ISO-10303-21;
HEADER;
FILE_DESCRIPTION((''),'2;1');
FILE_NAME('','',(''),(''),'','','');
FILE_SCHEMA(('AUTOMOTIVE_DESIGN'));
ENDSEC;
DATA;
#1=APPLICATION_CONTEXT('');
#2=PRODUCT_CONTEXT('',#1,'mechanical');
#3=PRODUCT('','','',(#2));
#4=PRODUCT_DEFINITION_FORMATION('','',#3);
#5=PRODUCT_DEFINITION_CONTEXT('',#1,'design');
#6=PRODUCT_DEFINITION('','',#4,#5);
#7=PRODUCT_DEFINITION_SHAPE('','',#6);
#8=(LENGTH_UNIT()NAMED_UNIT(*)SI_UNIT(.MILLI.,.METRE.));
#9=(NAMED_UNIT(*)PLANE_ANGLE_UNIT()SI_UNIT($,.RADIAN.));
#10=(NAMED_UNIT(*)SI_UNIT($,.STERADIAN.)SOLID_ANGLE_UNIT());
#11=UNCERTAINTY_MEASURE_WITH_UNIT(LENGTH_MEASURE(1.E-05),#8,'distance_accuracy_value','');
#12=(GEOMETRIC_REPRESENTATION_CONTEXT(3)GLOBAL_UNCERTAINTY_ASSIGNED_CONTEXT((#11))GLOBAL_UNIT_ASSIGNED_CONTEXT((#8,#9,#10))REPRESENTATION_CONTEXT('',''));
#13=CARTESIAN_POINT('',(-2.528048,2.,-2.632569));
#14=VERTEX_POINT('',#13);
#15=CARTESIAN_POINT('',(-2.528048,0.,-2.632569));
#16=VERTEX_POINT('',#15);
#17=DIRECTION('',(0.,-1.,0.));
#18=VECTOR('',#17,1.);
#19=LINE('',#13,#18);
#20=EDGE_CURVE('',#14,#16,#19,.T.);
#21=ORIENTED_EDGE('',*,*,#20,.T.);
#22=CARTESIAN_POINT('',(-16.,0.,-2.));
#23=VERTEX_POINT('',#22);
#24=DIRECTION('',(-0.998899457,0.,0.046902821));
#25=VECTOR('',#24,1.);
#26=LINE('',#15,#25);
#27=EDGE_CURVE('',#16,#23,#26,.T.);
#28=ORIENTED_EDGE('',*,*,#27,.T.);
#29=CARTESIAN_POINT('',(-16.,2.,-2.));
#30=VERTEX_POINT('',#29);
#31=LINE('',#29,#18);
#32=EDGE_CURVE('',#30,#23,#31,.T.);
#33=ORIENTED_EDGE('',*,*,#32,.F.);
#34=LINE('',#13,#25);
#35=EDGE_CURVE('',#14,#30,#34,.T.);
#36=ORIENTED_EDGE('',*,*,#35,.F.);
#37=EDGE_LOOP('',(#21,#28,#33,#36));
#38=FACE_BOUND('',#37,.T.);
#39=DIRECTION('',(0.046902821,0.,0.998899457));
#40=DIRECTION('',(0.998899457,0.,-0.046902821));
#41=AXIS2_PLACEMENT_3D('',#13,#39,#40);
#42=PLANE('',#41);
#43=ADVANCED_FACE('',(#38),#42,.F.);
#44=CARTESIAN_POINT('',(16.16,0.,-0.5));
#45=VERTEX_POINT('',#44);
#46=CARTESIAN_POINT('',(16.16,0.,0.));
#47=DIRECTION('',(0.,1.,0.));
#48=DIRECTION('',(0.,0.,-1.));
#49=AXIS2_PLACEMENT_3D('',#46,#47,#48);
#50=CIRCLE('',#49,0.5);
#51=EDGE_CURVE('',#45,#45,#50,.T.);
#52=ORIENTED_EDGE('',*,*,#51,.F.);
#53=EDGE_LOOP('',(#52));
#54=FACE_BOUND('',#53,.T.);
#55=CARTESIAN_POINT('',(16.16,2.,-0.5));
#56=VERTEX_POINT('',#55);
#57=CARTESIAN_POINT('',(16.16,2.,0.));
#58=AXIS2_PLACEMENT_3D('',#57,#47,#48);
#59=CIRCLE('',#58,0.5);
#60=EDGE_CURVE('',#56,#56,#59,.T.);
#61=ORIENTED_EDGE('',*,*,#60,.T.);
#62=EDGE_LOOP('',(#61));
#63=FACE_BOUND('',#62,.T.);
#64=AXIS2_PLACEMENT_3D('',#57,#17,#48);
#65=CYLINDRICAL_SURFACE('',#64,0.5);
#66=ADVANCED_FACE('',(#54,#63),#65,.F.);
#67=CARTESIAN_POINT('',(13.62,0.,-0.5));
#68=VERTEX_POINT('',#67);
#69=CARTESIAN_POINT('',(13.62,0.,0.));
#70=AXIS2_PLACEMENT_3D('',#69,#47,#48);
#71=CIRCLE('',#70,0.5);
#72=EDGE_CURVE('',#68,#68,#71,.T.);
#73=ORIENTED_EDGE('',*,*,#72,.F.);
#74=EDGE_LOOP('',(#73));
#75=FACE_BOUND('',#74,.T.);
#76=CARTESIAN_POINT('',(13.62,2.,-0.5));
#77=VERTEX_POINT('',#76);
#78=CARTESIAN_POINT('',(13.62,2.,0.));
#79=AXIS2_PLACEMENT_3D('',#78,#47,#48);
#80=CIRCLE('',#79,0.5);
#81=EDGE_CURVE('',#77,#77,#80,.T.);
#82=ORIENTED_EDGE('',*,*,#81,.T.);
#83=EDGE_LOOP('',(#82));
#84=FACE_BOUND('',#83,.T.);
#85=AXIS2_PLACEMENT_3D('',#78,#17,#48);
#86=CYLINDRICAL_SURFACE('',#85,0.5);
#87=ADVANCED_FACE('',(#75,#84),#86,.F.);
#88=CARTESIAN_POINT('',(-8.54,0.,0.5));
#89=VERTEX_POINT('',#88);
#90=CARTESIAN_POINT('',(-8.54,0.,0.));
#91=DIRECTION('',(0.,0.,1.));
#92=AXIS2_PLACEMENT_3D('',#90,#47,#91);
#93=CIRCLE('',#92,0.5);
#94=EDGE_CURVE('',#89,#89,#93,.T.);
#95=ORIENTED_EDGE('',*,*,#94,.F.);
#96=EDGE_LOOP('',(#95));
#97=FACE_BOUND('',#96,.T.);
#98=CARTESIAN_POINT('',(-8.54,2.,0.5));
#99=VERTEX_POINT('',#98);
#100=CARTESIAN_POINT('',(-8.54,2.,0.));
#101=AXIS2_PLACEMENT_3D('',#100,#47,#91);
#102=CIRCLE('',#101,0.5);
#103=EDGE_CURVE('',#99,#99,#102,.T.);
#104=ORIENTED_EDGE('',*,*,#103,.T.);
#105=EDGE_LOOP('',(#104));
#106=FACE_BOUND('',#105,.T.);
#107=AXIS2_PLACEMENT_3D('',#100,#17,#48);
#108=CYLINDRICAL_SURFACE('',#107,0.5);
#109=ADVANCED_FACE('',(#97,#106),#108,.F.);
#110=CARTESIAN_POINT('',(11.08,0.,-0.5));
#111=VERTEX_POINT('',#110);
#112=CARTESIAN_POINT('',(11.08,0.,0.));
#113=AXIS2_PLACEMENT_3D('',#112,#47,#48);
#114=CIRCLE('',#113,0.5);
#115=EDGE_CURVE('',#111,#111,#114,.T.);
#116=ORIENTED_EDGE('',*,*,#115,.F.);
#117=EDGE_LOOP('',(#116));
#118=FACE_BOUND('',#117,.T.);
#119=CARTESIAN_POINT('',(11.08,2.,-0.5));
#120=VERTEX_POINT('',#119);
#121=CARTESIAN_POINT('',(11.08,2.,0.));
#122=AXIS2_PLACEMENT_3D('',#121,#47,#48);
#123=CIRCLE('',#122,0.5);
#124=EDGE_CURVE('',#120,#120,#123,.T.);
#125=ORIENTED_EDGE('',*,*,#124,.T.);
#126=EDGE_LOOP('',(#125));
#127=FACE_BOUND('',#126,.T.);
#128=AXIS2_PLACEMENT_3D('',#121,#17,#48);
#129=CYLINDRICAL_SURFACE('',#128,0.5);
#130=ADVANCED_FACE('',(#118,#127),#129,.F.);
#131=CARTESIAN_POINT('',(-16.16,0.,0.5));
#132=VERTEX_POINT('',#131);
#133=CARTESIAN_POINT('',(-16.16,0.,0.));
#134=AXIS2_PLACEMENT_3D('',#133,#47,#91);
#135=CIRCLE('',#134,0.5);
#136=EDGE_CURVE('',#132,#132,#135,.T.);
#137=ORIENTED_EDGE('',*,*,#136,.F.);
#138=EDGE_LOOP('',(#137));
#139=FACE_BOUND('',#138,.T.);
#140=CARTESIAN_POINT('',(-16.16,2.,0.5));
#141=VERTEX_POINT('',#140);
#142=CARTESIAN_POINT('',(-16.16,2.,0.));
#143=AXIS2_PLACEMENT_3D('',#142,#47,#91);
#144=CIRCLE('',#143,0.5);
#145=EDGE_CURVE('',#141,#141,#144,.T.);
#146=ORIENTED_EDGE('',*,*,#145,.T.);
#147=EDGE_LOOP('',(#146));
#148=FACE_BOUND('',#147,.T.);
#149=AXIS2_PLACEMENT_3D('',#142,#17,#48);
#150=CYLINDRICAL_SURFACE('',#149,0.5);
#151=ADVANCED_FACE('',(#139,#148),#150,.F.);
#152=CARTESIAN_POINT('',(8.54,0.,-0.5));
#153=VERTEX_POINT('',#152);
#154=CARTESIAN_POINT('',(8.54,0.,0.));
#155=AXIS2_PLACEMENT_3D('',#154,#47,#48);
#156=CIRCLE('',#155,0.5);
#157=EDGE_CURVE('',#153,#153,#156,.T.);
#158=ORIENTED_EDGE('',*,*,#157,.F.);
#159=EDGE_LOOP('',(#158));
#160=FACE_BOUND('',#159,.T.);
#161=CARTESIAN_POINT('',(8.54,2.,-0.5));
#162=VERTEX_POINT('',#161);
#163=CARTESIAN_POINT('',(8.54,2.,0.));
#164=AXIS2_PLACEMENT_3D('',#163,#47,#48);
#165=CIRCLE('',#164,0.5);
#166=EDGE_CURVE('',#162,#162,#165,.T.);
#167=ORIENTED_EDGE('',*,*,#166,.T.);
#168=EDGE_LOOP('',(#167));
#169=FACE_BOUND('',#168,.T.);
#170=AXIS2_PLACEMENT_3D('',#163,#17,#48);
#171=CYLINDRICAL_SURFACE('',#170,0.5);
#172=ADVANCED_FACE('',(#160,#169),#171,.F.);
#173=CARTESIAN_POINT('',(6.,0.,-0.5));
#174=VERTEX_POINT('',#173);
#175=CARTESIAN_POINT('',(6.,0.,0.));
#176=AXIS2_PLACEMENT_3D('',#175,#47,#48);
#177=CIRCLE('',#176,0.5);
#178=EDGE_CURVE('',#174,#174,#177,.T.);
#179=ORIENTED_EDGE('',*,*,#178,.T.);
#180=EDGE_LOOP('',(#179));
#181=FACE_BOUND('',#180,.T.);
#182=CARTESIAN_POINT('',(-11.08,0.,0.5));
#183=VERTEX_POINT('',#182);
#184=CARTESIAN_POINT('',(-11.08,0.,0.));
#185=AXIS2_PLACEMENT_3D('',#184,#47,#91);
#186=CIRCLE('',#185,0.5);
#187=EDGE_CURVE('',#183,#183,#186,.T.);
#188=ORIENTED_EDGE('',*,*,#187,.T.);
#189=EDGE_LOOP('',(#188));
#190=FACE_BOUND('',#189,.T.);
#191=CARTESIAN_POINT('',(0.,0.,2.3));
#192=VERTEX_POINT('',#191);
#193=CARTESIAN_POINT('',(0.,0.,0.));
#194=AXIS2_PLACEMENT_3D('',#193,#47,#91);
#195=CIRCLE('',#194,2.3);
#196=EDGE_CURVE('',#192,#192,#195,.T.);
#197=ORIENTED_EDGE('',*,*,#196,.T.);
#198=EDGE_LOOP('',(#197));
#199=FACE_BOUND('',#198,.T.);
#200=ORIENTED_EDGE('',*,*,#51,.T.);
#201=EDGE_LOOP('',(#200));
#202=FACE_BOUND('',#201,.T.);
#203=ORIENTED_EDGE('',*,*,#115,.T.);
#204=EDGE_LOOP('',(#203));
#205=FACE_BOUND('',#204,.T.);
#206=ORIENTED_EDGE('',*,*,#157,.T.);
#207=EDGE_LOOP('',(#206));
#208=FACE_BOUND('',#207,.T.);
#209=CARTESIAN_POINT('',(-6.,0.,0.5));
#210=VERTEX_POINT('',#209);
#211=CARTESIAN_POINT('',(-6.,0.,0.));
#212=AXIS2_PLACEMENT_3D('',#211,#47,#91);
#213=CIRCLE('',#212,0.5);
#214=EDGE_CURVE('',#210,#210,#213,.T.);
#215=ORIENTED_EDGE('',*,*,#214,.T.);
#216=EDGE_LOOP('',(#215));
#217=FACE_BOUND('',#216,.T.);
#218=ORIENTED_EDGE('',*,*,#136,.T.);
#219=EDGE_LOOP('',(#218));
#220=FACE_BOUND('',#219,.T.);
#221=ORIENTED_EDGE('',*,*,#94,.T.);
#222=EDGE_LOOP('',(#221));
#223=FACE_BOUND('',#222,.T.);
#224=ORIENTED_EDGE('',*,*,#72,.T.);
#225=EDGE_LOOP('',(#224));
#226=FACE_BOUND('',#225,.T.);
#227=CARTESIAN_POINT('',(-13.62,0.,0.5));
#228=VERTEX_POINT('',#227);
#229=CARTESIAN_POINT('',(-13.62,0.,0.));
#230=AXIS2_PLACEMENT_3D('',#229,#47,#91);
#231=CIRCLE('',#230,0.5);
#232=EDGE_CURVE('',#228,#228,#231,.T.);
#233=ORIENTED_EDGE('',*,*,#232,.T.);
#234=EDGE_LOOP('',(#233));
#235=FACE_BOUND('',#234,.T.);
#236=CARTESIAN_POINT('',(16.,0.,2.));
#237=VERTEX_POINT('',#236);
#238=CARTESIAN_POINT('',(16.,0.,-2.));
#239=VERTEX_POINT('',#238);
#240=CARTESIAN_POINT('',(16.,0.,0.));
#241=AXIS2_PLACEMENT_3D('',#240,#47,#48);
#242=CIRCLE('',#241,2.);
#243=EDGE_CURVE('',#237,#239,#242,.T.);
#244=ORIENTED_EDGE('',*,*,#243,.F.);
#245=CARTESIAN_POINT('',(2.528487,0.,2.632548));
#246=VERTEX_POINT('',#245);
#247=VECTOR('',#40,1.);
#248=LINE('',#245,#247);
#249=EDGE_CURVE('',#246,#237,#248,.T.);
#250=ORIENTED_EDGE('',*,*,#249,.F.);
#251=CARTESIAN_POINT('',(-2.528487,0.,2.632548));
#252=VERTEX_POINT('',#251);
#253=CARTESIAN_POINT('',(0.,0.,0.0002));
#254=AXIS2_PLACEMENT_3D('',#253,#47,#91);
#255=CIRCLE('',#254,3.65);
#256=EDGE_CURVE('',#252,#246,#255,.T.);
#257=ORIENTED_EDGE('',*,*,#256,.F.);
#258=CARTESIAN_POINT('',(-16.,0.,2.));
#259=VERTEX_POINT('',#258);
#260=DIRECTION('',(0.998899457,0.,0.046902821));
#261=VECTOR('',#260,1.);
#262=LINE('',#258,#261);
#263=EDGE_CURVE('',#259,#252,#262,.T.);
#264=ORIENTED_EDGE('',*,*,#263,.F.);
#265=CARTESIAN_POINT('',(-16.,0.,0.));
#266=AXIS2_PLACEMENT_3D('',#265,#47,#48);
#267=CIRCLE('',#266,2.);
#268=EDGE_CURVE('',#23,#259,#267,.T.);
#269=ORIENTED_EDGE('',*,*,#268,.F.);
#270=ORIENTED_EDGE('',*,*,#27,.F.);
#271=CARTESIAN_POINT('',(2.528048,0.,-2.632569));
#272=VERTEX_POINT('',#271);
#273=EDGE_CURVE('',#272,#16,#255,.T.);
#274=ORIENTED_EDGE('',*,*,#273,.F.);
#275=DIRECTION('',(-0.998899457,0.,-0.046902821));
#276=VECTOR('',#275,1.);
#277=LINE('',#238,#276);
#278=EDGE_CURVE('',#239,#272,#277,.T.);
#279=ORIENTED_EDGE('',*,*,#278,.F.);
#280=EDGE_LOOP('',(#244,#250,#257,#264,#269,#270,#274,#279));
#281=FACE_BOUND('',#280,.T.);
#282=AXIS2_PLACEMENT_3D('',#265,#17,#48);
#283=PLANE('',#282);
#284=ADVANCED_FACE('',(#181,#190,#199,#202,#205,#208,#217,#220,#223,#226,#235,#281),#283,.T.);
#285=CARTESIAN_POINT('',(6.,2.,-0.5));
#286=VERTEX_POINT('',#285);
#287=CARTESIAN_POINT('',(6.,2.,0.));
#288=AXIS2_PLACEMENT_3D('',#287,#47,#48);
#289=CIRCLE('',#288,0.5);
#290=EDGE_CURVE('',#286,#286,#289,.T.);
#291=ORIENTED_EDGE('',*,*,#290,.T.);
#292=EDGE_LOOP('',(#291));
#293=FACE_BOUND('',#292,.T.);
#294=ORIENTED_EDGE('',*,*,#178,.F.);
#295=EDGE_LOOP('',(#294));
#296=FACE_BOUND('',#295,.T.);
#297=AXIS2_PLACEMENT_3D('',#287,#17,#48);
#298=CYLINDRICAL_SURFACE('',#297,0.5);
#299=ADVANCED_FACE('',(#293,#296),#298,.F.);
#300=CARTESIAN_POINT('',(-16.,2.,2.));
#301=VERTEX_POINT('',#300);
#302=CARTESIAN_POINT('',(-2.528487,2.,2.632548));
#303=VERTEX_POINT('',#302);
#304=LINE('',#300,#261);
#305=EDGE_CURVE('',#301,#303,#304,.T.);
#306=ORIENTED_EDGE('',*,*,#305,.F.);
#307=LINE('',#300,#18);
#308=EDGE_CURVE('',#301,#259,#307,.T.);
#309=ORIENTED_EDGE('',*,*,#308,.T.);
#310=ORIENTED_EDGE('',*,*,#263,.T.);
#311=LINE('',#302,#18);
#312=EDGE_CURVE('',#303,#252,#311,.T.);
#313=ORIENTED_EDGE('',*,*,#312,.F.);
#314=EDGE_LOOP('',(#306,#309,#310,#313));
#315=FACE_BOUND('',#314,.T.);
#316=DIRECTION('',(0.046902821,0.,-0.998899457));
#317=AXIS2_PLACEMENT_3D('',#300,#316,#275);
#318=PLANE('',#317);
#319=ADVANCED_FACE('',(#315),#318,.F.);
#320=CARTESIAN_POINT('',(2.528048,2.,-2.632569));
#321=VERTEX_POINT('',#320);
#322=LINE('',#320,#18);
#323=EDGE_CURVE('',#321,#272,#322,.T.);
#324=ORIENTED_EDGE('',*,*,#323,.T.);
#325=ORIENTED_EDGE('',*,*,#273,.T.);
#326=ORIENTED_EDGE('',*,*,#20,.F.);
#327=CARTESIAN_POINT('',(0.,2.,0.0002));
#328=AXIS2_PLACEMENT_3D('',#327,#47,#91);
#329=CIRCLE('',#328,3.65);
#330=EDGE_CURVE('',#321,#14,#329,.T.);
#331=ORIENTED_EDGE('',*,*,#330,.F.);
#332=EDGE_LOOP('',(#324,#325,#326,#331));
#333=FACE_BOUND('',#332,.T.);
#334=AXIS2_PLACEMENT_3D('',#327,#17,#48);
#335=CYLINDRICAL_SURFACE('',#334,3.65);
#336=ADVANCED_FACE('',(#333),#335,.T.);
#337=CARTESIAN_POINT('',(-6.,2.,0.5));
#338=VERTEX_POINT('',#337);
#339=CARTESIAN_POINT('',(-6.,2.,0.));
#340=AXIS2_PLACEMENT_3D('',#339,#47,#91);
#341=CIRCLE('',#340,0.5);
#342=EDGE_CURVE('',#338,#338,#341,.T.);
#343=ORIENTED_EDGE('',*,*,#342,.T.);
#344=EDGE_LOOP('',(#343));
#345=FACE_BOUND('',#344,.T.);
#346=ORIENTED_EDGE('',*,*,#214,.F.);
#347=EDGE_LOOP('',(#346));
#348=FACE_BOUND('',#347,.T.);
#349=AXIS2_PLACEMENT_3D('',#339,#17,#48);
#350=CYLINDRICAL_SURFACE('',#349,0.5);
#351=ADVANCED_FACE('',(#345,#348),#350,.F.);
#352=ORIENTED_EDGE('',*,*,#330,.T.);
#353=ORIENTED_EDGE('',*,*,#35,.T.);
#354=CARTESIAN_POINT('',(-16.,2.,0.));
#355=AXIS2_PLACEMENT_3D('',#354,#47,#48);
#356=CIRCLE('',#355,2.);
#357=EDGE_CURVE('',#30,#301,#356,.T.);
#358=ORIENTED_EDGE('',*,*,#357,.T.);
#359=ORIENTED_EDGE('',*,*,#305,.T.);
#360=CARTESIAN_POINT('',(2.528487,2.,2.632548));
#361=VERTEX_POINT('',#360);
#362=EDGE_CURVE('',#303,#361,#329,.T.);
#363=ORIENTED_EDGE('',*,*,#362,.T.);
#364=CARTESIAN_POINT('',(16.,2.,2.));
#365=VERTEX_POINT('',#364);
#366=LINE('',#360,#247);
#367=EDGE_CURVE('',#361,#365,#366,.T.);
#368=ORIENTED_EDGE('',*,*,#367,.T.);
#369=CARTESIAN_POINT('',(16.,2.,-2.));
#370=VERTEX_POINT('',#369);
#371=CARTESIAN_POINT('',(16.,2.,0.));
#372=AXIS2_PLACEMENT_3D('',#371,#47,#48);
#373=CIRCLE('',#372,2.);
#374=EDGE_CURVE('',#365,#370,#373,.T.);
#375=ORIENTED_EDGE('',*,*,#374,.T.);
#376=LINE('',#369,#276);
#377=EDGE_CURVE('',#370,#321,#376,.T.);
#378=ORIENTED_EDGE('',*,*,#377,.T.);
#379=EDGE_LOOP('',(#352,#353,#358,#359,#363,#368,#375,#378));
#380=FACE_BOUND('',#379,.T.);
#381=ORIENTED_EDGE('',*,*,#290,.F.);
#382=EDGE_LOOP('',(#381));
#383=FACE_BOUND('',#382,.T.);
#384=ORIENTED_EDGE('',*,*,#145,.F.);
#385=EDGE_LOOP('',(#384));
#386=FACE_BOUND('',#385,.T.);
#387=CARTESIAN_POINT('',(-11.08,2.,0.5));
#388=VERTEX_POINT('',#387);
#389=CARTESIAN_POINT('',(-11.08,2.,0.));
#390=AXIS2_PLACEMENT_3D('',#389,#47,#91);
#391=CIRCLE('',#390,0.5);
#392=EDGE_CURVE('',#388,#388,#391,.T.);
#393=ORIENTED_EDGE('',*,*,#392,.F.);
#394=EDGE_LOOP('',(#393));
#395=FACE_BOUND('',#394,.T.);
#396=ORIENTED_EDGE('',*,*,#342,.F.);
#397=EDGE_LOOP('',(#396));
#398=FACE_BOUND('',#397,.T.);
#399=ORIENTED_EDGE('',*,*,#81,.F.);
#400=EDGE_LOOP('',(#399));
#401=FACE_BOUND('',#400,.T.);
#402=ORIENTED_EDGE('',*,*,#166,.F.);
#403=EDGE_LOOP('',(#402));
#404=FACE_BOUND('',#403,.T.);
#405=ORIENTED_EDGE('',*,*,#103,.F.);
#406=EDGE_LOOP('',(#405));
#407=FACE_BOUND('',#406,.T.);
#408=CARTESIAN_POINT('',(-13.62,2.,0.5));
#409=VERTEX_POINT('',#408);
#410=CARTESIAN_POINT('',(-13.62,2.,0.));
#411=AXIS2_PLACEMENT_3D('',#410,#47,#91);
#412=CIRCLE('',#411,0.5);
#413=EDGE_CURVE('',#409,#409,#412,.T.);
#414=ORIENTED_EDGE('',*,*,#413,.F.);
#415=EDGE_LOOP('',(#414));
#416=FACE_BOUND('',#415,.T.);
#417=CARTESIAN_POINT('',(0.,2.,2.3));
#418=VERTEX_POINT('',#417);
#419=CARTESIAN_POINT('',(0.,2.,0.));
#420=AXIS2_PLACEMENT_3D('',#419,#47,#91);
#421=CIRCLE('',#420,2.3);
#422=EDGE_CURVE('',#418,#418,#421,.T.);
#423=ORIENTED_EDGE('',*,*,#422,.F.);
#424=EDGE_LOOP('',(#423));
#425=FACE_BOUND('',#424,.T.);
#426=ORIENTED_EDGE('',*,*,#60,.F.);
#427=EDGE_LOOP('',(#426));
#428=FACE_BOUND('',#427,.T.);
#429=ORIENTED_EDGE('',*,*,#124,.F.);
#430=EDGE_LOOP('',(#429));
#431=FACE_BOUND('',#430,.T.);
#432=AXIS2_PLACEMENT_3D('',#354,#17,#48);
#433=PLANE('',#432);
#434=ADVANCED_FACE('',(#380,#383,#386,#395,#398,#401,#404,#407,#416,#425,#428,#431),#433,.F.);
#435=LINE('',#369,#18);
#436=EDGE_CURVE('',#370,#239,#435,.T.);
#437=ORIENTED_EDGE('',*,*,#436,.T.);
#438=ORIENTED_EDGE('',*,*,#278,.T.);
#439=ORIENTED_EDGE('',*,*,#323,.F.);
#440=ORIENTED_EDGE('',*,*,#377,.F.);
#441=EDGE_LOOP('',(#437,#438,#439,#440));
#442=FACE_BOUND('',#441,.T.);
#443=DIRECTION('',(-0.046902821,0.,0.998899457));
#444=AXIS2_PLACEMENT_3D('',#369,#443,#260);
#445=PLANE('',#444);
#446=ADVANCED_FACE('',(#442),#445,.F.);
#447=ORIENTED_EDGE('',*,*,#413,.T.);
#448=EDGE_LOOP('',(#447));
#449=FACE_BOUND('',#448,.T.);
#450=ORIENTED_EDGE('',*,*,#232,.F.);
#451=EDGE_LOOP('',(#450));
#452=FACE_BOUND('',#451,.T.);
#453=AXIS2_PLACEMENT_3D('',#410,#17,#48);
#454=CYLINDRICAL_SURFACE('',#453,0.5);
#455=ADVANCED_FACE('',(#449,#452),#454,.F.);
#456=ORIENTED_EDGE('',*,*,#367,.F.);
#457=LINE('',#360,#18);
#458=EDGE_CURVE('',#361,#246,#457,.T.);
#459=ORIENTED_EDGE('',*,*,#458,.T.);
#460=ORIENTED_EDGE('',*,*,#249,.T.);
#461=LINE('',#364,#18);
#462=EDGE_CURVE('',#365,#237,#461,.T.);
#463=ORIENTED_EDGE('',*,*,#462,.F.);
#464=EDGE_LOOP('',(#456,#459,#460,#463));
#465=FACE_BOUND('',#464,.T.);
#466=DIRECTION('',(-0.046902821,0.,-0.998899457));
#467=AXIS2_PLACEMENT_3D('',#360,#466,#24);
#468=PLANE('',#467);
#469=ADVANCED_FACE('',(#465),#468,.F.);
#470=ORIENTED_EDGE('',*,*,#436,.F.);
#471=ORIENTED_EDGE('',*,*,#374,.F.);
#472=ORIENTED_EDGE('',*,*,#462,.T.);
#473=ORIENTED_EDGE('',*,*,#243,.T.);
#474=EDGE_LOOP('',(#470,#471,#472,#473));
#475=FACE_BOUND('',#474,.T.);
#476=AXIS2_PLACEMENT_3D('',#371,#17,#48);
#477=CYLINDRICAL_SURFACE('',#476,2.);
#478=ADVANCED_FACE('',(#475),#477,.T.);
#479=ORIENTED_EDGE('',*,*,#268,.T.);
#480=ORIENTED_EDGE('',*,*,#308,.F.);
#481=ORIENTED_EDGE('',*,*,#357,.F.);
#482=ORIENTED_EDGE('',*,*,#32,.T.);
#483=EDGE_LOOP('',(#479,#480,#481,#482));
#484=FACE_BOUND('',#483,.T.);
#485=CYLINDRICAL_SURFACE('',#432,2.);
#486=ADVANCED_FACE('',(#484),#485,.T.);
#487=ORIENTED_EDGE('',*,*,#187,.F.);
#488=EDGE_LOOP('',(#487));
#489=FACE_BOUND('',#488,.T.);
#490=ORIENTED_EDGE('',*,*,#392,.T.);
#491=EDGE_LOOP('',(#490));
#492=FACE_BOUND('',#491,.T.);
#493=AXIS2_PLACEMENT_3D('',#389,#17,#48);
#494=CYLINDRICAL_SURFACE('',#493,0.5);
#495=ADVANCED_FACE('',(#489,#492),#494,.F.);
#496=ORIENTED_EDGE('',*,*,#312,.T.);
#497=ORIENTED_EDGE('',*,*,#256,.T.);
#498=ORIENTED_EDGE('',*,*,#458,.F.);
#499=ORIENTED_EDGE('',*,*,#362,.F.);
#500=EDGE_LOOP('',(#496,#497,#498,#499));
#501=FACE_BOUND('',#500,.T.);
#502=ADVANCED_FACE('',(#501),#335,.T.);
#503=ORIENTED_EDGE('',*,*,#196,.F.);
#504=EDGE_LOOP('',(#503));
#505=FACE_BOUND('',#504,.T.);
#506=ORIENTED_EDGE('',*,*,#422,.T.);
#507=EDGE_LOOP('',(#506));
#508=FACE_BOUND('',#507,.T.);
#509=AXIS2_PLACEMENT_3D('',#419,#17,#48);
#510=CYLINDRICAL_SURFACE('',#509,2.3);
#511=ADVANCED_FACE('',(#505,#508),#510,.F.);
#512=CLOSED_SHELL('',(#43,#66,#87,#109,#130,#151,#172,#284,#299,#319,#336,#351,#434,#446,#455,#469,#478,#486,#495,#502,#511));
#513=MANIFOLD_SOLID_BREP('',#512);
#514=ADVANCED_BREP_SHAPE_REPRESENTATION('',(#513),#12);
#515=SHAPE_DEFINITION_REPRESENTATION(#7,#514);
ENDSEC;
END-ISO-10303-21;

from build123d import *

# Parameters (mm, degrees)
SKETCH1_R           = 2.3
SKETCH1_R_2         = 0.5
BOSS_EXTRUDE1_DEPTH = 2


with BuildPart() as part:
    # Sketch1 → Boss-Extrude1 (new body)
    with BuildSketch(Plane(origin=(0, 0, 0), x_dir=(1, 0, 0), z_dir=(0, 1, 0))):
        with BuildLine():
            Line((-16, -2), (-2.528486514, -2.632548127))
            ThreePointArc((-2.528486514, -2.632548127), (1e-09, -3.650200137), (2.528486517, -2.632548127))
            Line((2.528486517, -2.632548127), (16, -2))
            ThreePointArc((16, -2), (18, 0), (16, 2))
            Line((16, 2), (2.528048307, 2.632568703))
            ThreePointArc((2.528048307, 2.632568703), (1e-09, 3.649799863), (-2.528048304, 2.632568703))
            Line((-2.528048304, 2.632568703), (-16, 2))
            ThreePointArc((-16, 2), (-18, 0), (-16, -2))
        make_face()
        with Locations(Location((0, 0, 0), (0, 0, 270))):
            Circle(SKETCH1_R, mode=Mode.SUBTRACT)
        with Locations(Location((-6, 0, 0), (0, 0, 270))):
            Circle(SKETCH1_R_2, mode=Mode.SUBTRACT)
        with Locations(Location((-8.54, 0, 0), (0, 0, 270))):
            Circle(SKETCH1_R_2, mode=Mode.SUBTRACT)
        with Locations(Location((-11.08, 0, 0), (0, 0, 270))):
            Circle(SKETCH1_R_2, mode=Mode.SUBTRACT)
        with Locations(Location((-13.62, 0, 0), (0, 0, 270))):
            Circle(SKETCH1_R_2, mode=Mode.SUBTRACT)
        with Locations(Location((-16.16, 0, 0), (0, 0, 270))):
            Circle(SKETCH1_R_2, mode=Mode.SUBTRACT)
        with Locations(Location((16.16, 0, 0), (0, 0, 90))):
            Circle(SKETCH1_R_2, mode=Mode.SUBTRACT)
        with Locations(Location((13.62, 0, 0), (0, 0, 90))):
            Circle(SKETCH1_R_2, mode=Mode.SUBTRACT)
        with Locations(Location((11.08, 0, 0), (0, 0, 90))):
            Circle(SKETCH1_R_2, mode=Mode.SUBTRACT)
        with Locations(Location((8.54, 0, 0), (0, 0, 90))):
            Circle(SKETCH1_R_2, mode=Mode.SUBTRACT)
        with Locations(Location((6, 0, 0), (0, 0, 90))):
            Circle(SKETCH1_R_2, mode=Mode.SUBTRACT)
    extrude(amount=BOSS_EXTRUDE1_DEPTH)


solid = part.part
